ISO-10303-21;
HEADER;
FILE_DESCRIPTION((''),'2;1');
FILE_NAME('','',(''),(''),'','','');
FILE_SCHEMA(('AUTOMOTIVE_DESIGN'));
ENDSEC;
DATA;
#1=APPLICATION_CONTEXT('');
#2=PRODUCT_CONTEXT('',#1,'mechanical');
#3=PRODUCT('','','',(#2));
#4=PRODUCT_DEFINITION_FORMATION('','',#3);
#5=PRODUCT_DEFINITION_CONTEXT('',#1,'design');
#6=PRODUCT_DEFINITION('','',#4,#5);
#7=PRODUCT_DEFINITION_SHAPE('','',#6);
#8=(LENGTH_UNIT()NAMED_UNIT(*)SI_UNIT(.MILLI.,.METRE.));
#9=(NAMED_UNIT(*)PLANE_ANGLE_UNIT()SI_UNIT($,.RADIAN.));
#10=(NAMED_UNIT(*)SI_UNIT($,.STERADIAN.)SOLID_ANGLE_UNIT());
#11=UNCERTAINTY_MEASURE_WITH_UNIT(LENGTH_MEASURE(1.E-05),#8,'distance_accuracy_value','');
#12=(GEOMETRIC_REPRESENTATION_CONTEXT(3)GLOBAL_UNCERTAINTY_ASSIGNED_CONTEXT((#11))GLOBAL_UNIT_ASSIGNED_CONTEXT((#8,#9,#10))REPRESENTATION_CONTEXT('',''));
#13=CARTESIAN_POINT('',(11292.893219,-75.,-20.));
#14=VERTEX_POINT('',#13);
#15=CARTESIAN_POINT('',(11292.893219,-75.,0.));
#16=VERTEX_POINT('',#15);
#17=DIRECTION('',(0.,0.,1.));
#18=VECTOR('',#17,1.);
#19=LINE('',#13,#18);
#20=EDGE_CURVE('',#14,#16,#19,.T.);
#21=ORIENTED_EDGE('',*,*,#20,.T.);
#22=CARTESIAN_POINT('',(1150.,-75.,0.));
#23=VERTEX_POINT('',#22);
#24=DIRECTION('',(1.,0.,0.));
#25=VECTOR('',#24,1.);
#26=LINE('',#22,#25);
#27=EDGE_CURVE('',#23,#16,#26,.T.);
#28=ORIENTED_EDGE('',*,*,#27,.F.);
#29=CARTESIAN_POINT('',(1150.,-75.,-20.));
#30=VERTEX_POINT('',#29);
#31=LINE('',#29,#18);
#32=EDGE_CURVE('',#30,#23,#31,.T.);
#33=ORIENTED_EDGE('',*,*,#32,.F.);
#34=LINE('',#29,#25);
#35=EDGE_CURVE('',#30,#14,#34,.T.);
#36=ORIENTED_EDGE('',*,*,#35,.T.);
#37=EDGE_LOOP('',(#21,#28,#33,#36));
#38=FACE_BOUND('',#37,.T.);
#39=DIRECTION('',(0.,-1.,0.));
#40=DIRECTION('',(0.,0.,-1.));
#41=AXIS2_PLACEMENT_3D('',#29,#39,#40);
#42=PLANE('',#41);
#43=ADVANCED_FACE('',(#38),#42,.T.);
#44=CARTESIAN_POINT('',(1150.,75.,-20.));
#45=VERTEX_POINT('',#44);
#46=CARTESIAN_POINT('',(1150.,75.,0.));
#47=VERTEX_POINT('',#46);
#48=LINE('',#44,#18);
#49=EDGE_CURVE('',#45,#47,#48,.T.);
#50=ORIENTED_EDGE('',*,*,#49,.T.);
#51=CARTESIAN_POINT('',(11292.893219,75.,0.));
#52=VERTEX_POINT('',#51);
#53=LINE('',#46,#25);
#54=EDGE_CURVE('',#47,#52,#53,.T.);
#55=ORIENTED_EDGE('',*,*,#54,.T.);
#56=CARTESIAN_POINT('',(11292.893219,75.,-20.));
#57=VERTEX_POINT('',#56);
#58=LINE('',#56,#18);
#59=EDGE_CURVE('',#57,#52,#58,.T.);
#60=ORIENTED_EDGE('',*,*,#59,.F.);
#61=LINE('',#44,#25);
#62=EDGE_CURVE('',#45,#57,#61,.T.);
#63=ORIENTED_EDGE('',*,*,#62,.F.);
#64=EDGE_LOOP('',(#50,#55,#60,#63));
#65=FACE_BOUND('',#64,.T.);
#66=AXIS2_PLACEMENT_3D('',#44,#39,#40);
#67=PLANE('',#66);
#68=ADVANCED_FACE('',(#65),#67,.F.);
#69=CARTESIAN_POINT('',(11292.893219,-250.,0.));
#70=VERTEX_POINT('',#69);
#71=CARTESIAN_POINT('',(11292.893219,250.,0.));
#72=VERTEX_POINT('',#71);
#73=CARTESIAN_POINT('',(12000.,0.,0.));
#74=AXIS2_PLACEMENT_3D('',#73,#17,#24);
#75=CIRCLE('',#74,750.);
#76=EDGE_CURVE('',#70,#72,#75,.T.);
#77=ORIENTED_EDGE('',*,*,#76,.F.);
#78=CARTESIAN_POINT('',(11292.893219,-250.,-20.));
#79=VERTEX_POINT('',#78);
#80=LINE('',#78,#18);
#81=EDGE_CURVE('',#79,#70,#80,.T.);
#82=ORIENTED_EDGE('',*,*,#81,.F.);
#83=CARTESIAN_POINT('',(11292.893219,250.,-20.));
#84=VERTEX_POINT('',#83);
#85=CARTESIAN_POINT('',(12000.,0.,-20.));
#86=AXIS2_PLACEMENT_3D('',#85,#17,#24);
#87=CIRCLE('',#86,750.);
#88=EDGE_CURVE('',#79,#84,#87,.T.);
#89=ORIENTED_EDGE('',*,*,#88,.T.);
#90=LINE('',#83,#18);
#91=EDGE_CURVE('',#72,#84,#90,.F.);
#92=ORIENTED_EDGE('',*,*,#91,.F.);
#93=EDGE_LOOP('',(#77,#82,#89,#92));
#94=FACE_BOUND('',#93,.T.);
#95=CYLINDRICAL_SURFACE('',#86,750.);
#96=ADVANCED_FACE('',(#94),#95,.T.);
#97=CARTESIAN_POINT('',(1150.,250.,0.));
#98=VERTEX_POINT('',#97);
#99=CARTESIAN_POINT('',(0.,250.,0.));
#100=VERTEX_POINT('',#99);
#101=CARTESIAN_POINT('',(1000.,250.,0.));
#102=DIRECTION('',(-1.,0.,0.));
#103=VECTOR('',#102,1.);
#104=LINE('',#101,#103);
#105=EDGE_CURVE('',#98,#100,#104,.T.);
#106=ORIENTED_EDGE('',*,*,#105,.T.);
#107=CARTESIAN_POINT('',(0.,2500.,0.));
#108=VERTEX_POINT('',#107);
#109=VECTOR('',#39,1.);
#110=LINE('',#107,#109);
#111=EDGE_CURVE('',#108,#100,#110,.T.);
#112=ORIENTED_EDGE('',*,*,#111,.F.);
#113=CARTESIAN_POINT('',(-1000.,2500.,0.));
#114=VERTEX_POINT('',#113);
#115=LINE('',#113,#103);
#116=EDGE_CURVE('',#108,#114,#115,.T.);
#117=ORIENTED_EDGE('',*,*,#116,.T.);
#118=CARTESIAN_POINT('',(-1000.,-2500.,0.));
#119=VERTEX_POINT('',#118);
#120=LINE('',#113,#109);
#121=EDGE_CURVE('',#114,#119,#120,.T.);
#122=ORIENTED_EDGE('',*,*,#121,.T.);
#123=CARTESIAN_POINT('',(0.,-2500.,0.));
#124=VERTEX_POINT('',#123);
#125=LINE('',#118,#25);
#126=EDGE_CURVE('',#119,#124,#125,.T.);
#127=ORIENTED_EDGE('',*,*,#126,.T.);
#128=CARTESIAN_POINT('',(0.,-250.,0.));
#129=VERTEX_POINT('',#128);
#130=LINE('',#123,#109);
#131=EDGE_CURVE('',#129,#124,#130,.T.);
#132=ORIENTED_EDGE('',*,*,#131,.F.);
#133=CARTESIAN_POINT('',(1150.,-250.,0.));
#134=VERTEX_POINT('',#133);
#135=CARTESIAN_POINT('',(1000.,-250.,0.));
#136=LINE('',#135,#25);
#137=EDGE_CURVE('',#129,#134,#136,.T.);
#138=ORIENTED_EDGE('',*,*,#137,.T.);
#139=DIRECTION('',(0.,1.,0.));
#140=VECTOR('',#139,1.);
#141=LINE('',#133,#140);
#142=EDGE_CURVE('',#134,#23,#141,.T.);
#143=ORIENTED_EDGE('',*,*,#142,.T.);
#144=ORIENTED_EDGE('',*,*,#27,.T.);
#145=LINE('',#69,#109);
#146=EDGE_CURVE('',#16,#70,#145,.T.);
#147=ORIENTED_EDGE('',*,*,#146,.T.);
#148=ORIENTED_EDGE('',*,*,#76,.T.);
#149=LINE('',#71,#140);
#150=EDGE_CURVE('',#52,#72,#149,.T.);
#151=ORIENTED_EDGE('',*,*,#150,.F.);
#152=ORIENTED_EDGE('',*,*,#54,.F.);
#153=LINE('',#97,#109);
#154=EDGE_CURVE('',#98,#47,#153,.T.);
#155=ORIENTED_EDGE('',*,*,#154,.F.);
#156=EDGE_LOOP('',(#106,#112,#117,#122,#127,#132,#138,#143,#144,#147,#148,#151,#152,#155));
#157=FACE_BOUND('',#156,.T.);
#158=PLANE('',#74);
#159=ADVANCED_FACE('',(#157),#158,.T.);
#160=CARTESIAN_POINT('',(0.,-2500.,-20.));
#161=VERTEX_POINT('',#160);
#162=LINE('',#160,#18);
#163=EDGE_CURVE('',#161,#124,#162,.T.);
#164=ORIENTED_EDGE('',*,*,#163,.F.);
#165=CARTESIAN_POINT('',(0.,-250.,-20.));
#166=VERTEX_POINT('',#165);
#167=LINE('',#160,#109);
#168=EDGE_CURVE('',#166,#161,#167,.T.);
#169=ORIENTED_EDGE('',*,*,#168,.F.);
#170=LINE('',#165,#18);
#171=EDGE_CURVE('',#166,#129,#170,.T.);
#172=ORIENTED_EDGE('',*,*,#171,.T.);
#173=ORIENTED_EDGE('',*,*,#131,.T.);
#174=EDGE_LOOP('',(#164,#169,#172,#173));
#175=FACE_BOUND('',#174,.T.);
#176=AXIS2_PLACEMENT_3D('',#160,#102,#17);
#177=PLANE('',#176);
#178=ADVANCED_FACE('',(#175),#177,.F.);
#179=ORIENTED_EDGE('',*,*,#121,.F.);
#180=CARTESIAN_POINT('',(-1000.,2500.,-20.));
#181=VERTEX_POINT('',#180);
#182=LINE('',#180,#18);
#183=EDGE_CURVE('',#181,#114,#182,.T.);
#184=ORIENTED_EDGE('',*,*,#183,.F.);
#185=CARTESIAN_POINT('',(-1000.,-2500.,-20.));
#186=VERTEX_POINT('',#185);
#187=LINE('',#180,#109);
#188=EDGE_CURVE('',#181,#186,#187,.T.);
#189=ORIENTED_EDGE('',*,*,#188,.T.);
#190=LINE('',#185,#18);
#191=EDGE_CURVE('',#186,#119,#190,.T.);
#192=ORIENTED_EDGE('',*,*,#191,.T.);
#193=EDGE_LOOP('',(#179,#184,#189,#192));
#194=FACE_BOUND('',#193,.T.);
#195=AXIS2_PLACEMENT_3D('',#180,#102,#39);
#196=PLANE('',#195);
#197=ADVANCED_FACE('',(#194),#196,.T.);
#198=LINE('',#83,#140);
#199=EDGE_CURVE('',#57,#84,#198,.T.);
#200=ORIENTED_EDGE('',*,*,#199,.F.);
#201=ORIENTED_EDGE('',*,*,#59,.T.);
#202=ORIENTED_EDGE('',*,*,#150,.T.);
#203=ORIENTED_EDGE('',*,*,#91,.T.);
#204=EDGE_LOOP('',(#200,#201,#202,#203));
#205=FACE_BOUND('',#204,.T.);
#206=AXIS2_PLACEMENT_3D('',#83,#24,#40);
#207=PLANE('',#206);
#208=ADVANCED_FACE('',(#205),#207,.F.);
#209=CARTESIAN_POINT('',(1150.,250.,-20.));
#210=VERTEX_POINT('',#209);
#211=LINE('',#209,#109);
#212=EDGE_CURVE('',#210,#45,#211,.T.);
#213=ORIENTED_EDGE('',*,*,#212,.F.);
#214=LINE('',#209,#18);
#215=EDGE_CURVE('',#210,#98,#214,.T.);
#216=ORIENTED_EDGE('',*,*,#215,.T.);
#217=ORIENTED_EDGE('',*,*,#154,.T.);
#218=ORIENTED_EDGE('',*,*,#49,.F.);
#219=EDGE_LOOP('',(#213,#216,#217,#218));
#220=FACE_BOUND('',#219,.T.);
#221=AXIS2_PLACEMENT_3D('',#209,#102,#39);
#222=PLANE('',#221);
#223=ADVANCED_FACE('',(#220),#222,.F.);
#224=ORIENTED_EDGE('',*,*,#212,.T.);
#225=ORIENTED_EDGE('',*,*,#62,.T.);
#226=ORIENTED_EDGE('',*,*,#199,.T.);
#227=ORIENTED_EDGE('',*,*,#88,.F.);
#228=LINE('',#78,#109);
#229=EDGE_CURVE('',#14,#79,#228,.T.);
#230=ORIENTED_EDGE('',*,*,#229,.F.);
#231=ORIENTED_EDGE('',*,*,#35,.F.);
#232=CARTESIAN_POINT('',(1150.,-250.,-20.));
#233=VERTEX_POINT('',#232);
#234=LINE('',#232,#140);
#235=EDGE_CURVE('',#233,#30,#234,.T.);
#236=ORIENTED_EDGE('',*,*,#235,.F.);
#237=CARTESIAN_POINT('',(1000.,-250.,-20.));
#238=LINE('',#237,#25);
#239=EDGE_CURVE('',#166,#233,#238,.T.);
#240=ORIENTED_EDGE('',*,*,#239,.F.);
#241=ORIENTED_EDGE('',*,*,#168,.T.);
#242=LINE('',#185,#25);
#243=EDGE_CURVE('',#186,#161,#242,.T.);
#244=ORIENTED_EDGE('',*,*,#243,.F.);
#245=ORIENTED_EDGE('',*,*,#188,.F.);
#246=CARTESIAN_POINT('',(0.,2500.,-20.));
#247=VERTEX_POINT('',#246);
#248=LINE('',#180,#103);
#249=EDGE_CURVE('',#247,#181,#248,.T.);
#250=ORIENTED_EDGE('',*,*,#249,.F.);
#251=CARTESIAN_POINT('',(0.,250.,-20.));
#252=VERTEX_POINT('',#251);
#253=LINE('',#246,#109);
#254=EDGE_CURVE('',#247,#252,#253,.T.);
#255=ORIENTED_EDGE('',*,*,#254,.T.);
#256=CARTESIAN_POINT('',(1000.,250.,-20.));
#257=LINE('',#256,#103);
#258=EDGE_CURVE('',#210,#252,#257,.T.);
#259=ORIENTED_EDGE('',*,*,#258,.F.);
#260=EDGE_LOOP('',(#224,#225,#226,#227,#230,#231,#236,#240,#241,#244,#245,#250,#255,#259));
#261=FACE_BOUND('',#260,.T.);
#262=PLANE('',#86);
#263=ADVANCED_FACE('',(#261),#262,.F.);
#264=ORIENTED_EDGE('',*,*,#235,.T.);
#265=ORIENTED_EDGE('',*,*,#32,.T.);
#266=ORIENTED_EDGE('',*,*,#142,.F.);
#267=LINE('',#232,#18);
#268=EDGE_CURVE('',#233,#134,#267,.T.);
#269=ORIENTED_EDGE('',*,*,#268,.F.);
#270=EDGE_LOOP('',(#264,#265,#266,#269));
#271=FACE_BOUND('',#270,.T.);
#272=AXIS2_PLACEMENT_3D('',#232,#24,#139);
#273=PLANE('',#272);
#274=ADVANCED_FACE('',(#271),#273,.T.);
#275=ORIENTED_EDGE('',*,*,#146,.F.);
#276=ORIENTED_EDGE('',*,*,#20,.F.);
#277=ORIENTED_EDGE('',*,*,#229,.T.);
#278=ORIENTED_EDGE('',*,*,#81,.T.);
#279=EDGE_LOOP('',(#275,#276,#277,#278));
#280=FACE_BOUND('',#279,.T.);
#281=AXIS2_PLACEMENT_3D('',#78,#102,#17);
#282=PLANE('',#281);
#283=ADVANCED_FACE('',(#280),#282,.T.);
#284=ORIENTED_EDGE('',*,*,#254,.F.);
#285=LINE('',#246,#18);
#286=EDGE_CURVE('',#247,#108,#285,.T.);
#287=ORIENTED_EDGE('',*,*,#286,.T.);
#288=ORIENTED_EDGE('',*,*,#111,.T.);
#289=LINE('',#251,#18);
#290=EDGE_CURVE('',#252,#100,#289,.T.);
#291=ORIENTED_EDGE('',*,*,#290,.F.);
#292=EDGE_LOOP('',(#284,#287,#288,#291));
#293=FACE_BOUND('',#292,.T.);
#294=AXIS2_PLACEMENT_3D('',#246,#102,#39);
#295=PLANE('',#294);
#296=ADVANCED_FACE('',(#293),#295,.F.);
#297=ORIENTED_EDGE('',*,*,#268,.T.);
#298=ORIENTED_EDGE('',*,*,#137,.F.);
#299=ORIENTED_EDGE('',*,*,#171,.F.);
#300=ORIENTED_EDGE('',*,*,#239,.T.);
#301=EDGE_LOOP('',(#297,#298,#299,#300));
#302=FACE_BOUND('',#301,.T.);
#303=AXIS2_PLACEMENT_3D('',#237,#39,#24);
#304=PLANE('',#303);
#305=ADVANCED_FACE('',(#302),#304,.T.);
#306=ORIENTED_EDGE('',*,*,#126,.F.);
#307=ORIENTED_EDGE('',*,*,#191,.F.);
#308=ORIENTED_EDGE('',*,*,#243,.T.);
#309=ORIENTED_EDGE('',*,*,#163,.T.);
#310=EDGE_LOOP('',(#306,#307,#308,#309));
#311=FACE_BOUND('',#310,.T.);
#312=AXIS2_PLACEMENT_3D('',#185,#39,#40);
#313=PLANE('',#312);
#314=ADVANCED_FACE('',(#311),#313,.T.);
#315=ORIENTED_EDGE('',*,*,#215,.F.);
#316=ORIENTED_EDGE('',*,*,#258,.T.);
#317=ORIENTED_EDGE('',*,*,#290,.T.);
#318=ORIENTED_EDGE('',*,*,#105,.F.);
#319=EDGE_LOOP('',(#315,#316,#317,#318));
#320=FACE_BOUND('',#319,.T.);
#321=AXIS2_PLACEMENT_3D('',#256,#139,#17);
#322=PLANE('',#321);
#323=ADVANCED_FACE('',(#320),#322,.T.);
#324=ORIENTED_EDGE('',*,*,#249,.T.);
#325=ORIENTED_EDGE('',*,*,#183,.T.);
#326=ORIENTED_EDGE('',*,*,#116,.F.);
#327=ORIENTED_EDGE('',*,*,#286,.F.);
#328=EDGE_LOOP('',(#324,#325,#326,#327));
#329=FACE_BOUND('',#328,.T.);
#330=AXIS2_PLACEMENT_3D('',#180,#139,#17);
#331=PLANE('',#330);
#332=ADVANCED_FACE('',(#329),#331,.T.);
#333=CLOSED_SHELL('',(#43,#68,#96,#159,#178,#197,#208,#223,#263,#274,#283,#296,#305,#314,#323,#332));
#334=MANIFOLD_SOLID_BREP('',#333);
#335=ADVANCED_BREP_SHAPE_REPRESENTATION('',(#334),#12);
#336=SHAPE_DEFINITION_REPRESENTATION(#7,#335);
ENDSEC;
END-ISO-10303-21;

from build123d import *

# Parameters (mm, degrees)
BOSS_EXTRUDE1_DEPTH = 20
SKETCH2_W           = 1000
SKETCH2_H           = 2250
CUT_EXTRUDE1_DEPTH  = 12993.801853334
CUT_EXTRUDE4_DEPTH  = 12993.801853334
SKETCH5_W           = 11500
SKETCH5_H           = 500
BOSS_EXTRUDE2_DEPTH = 20
SKETCH7_W           = 10142.893218813
SKETCH7_H           = 100
CUT_EXTRUDE5_DEPTH  = 12993.801853334
SKETCH8_W           = 10142.893218813
SKETCH8_H           = 75
CUT_EXTRUDE6_DEPTH  = 12993.801853334


with BuildPart() as part:
    # Sketch1 → Boss-Extrude1 (new body)
    with BuildSketch(Plane.XY):
        with BuildLine():
            Line((1000, 250), (5000, 250))
            Line((5000, 250), (5000, 125))
            Line((5000, 125), (9000, 125))
            Line((9000, 125), (9000, 100))
            Line((9000, 100), (11256.696562634, 100))
            ThreePointArc((11256.696562634, 100), (12750, 0), (11256.696562634, -100))
            Line((11256.696562634, -100), (9000, -100))
            Line((9000, -100), (9000, -125))
            Line((9000, -125), (5000, -125))
            Line((5000, -125), (5000, -250))
            Line((5000, -250), (1000, -250))
            Line((1000, -250), (1000, -2500))
            Line((1000, -2500), (-1000, -2500))
            Line((-1000, -2500), (-1000, 2500))
            Line((-1000, 2500), (1000, 2500))
            Line((1000, 2500), (1000, 250))
        make_face()
    extrude(amount=-BOSS_EXTRUDE1_DEPTH)

    # Sketch2 → Cut-Extrude1 (cut, through all)
    with BuildSketch(Plane.XY):
        with Locations((500, 1375)):
            Rectangle(SKETCH2_W, SKETCH2_H)
        with Locations((500, -1375)):
            Rectangle(SKETCH2_W, SKETCH2_H)
    extrude(amount=-CUT_EXTRUDE1_DEPTH, mode=Mode.SUBTRACT)

    # Sketch3 → Cut-Extrude4 (cut, through all)
    with BuildSketch(Plane.XY):
        Polygon((1500, -250), (3250, -250), (5000, -250), (5000, -150), (3250, -150), (3250, -200), (1500, -200), align=None)
    cut_extrude4 = extrude(amount=-CUT_EXTRUDE4_DEPTH, mode=Mode.SUBTRACT)

    # Mirror1: Cut-Extrude4 across plane
    add(cut_extrude4.mirror(Plane.ZX), mode=Mode.SUBTRACT)

    # Sketch5 → Boss-Extrude2 (add)
    with BuildSketch(Plane.XY):
        with Locations((5750, 0)):
            Rectangle(SKETCH5_W, SKETCH5_H)
    extrude(amount=-BOSS_EXTRUDE2_DEPTH)

    # Sketch7 → Cut-Extrude5 (cut, through all)
    with BuildSketch(Plane.XY):
        with Locations((6221.446609407, 200)):
            Rectangle(SKETCH7_W, SKETCH7_H)
    cut_extrude5 = extrude(amount=-CUT_EXTRUDE5_DEPTH, mode=Mode.SUBTRACT)

    # Mirror2: Cut-Extrude5 across plane
    add(cut_extrude5.mirror(Plane.ZX), mode=Mode.SUBTRACT)

    # Sketch8 → Cut-Extrude6 (cut, through all)
    with BuildSketch(Plane.XY):
        with Locations((6221.446609407, 112.5)):
            Rectangle(SKETCH8_W, SKETCH8_H)
    cut_extrude6 = extrude(amount=-CUT_EXTRUDE6_DEPTH, mode=Mode.SUBTRACT)

    # Mirror3: Cut-Extrude6 across plane
    add(cut_extrude6.mirror(Plane.ZX), mode=Mode.SUBTRACT)


solid = part.part
